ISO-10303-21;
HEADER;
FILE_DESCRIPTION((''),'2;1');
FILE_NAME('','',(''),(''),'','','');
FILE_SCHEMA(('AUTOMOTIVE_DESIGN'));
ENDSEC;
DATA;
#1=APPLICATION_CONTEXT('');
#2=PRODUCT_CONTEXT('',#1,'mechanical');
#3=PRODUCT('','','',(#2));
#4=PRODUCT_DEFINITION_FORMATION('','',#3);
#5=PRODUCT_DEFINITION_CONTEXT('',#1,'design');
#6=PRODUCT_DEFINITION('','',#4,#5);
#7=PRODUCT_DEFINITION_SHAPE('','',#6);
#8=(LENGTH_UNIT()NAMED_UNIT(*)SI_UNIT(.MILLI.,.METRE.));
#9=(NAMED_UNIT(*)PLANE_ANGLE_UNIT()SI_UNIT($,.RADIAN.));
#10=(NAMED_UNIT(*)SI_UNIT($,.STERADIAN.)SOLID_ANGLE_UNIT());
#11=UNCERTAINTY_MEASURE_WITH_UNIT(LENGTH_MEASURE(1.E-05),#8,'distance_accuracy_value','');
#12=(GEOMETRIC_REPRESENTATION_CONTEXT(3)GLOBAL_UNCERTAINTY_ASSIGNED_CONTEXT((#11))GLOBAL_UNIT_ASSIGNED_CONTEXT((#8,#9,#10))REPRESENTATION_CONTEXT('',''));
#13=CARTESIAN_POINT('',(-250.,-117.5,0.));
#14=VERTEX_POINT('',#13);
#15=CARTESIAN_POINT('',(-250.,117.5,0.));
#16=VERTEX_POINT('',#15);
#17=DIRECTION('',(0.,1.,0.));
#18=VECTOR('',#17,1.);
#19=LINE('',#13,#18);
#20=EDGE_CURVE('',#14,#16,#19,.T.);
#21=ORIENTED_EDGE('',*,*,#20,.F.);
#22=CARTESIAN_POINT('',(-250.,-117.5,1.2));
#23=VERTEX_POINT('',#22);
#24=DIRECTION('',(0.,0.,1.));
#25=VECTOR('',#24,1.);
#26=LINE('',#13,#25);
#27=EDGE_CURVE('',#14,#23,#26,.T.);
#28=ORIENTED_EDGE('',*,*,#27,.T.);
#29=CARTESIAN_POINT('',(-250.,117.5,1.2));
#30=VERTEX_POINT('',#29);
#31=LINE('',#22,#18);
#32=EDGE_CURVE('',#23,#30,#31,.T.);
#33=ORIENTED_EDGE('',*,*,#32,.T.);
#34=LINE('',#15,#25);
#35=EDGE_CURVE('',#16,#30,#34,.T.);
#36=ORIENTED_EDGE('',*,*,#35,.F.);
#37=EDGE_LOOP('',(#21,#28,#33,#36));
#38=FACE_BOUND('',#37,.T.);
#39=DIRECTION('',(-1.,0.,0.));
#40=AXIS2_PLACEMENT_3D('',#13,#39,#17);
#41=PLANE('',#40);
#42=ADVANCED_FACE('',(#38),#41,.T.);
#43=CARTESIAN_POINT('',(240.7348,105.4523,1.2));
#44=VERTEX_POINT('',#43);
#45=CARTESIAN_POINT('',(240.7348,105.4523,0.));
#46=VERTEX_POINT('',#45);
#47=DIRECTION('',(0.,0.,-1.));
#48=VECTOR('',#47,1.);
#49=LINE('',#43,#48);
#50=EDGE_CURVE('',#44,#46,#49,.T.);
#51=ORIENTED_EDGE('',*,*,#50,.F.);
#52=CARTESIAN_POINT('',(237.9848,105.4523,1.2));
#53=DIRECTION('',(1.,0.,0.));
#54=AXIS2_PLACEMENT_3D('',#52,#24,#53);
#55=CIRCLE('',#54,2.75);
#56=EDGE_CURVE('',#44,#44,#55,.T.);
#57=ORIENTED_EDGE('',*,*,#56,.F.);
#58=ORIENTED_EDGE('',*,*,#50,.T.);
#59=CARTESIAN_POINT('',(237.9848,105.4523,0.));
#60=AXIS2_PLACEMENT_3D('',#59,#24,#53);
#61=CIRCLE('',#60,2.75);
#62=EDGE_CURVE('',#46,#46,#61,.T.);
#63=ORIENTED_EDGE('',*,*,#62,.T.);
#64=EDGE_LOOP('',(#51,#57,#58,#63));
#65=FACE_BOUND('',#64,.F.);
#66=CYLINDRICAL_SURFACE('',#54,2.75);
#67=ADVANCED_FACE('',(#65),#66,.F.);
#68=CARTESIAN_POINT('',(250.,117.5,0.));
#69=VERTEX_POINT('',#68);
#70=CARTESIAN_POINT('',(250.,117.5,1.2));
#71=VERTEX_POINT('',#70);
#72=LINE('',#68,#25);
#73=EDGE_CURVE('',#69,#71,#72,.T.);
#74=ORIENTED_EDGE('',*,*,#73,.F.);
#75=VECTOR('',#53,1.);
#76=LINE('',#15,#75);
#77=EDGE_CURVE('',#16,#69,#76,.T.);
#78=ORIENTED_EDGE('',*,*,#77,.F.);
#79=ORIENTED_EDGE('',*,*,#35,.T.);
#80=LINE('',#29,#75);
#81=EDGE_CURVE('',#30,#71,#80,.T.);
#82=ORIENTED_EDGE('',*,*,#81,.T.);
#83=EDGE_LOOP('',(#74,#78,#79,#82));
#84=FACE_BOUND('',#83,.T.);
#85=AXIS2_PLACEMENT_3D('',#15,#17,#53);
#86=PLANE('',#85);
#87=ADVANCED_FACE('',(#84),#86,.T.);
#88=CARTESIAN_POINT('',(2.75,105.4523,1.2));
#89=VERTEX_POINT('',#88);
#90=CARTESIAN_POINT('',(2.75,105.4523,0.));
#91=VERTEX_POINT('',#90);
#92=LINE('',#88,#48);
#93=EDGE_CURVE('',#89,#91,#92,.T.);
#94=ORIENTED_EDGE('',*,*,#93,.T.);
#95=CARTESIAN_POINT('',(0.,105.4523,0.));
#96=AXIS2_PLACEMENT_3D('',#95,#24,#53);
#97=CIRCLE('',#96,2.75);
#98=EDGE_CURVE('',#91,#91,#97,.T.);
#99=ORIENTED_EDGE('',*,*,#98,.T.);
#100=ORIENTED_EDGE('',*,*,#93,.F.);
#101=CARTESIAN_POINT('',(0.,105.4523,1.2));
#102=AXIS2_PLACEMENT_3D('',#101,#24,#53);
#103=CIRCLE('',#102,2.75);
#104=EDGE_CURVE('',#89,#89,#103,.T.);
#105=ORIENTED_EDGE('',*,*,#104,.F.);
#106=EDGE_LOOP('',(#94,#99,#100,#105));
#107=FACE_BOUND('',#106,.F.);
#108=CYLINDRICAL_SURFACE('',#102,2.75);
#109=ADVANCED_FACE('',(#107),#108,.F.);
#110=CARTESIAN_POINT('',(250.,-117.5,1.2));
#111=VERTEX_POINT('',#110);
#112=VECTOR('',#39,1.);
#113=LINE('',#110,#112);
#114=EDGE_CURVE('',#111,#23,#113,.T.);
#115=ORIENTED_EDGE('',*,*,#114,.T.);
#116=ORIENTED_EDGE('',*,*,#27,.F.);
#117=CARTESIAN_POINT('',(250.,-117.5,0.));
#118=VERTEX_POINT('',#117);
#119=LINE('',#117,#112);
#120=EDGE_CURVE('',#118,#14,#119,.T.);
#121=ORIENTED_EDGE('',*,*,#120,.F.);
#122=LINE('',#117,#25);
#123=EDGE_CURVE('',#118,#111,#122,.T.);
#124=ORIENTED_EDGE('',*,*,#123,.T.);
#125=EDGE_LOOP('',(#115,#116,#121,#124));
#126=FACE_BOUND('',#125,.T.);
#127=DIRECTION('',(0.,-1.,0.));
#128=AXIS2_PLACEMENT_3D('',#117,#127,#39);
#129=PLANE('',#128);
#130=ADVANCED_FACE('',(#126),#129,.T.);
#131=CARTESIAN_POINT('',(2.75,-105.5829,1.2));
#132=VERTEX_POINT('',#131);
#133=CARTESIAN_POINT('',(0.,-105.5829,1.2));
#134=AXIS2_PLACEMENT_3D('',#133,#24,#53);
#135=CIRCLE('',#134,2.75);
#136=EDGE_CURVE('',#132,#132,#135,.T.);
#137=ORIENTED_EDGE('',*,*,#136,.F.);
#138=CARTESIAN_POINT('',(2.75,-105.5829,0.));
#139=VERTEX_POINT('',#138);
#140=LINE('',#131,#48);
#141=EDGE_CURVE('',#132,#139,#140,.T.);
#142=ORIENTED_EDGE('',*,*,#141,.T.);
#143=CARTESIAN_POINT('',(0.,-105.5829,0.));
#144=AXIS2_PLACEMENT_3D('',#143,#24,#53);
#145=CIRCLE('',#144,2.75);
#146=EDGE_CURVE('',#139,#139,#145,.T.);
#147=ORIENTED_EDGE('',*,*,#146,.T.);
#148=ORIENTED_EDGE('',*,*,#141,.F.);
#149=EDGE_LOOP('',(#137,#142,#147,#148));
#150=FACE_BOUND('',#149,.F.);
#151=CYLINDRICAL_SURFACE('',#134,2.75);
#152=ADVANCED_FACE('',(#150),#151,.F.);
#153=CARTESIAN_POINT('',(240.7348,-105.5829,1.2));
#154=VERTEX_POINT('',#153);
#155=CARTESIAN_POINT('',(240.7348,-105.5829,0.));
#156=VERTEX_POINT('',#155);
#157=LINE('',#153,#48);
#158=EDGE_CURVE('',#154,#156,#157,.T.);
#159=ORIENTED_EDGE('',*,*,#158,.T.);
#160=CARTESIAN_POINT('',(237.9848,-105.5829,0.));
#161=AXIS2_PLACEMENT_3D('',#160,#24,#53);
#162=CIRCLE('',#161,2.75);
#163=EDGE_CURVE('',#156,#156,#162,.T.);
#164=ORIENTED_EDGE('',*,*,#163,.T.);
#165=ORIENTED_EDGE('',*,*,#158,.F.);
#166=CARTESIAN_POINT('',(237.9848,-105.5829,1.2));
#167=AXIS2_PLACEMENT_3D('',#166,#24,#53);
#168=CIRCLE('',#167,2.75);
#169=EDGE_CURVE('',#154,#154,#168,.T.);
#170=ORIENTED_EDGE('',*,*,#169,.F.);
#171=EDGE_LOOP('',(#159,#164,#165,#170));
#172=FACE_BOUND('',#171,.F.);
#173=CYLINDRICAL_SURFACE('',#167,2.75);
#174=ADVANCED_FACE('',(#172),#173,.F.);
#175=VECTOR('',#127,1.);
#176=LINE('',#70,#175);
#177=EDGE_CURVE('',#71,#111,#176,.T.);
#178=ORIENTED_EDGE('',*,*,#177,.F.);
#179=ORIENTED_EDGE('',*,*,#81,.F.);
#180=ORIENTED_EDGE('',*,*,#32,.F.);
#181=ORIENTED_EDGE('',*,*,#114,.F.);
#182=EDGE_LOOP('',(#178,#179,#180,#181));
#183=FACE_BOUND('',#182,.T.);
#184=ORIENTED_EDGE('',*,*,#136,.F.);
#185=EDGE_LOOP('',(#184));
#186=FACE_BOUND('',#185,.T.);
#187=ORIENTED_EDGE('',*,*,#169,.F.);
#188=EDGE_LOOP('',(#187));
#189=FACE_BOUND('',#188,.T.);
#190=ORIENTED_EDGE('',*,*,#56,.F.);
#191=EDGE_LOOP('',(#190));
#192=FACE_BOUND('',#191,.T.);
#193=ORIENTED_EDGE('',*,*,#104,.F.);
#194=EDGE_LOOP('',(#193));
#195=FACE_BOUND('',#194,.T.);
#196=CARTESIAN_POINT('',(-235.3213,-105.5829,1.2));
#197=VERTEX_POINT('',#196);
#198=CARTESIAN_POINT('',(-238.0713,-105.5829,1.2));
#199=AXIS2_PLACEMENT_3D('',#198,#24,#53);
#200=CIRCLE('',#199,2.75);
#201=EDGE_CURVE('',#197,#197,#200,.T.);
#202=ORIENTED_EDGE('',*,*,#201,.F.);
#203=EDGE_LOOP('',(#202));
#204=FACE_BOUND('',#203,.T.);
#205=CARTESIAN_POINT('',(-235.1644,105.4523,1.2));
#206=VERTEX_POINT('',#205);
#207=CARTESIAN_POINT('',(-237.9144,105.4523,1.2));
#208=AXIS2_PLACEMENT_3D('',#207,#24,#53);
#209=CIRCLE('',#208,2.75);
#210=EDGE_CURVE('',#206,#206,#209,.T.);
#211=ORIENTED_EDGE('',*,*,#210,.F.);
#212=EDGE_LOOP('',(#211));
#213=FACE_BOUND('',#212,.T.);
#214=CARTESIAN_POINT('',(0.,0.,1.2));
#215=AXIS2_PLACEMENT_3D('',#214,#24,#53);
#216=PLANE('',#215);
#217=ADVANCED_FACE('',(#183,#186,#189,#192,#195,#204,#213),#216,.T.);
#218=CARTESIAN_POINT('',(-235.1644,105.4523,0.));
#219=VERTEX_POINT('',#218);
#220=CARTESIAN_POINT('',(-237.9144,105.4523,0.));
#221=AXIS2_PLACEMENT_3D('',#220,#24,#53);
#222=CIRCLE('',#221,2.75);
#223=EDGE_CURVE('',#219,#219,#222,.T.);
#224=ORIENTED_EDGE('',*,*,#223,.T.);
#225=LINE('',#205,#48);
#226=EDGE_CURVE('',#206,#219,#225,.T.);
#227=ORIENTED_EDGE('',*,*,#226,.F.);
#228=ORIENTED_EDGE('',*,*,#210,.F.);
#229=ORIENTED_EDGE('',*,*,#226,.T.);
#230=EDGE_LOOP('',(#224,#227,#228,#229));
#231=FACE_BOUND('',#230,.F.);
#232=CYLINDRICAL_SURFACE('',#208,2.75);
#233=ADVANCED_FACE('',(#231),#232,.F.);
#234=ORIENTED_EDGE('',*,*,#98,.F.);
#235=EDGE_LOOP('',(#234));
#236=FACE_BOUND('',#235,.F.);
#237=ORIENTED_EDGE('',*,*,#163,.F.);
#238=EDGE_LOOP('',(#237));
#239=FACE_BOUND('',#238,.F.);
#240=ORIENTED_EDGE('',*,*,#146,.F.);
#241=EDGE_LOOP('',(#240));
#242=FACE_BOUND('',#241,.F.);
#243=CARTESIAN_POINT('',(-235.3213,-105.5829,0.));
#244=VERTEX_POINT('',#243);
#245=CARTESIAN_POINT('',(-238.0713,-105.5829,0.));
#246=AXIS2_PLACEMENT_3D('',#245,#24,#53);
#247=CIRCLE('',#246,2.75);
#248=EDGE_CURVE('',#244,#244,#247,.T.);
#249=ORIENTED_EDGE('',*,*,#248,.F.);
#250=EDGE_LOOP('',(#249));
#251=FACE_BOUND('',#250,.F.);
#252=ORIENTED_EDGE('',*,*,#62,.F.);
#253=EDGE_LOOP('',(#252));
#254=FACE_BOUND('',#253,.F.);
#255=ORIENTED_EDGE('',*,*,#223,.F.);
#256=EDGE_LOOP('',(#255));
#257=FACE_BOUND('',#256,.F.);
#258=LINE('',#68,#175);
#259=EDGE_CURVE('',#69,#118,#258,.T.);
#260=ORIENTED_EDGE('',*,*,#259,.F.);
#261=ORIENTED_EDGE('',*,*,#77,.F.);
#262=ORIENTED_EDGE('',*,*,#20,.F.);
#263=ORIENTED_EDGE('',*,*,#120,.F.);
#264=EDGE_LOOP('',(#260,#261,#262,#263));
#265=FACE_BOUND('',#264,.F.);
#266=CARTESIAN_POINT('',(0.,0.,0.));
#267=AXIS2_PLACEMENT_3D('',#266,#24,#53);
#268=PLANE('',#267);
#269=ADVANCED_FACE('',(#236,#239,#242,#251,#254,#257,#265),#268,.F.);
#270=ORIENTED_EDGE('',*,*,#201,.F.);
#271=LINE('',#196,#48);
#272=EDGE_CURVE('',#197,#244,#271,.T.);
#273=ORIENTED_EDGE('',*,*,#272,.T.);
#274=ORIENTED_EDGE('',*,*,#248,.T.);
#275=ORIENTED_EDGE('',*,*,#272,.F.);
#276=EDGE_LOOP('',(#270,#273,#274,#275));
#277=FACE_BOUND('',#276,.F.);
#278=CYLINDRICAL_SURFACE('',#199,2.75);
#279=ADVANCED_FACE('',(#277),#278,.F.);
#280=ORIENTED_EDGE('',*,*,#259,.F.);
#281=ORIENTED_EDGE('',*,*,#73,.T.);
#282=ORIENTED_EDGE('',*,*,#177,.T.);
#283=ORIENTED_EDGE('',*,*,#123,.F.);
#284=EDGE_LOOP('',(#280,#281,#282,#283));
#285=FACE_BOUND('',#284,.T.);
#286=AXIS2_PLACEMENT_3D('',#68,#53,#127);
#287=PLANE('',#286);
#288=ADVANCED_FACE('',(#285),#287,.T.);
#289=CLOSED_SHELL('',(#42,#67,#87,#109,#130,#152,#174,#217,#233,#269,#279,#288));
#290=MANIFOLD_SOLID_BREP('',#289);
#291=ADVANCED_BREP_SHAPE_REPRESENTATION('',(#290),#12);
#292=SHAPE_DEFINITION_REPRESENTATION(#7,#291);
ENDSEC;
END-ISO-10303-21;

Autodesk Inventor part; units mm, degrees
ref_plane "YZ Plane" through (0, 0, 0) normal (1, 0, 0) x (0, 1, 0)
ref_plane "XZ Plane" through (0, 0, 0) normal (0, 1, 0) x (-1, 0, 0)
ref_plane "XY Plane" through (0, 0, 0) normal (0, 0, 1) x (1, 0, 0)
sketch "스케치1" plane through (0, 0, 0) normal (0, 0, 1) x (1, 0, 0)
  line L0 (250, -117.5) -> (-250, -117.5)
  line L1 (-250, -117.5) -> (-250, 117.5)
  line L2 (-250, 117.5) -> (250, 117.5)
  line L3 (250, 117.5) -> (250, -117.5)
  line L4 (250, -117.5) -> (-250, 117.5) construction
  line L5 (-250, -117.5) -> (250, 117.5) construction
  point P0 (0, 0)
  dimension "d0" = 500
  dimension "d1" = 235
extrude "돌출1" add sketch "스케치1" along normal blind 1.2
sketch "스케치2" plane through (0, 0, 1.2) normal (0, 0, 1) x (1, 0, 0)
  line L0 (-250, -117.5) -> (250, -117.5) projected
  line L1 (250, -117.5) -> (250, 117.5) projected
  line L2 (250, 117.5) -> (-250, 117.5) projected
  line L3 (-250, 117.5) -> (-250, -117.5) projected
  point P0 (0, 0)
sketch "스케치3" plane through (0, 0, 1.2) normal (0, 0, 1) x (1, 0, 0)
  line L0 (-250, -117.5) -> (250, -117.5) projected
  line L1 (250, -117.5) -> (250, 117.5) projected
  line L2 (250, 117.5) -> (-250, 117.5) projected
  line L3 (-250, 117.5) -> (-250, -117.5) projected
  point P0 (0, 0)
sketch "스케치4" plane through (0, 0, 1.2) normal (0, 0, 1) x (1, 0, 0)
  line L0 (-250, -117.5) -> (250, -117.5) projected
  line L1 (250, -117.5) -> (250, 117.5) projected
  line L2 (250, 117.5) -> (-250, 117.5) projected
  line L3 (-250, 117.5) -> (-250, -117.5) projected
  point P0 (0, 0)
sketch "스케치5" plane through (0, 0, 1.2) normal (0, 0, 1) x (1, 0, 0)
  line L0 (-250, -117.5) -> (250, -117.5) projected
  line L1 (250, -117.5) -> (250, 117.5) projected
  line L2 (250, 117.5) -> (-250, 117.5) projected
  line L3 (-250, 117.5) -> (-250, -117.5) projected
  circle A0 centre (-238.0339, 105.4556) radius 2.75
  circle A1 centre (0, 105.4556) radius 2.75
  circle A2 centre (237.9578, 105.4556) radius 2.75
  circle A3 centre (237.9578, -105.56) radius 2.75
  circle A4 centre (0, -105.56) radius 2.75
  circle A5 centre (-238.0339, -105.56) radius 2.75
  point P0 (0, 0)
  dimension "d4" = 5.5
  dimension "d5" = 5.5
  dimension "d6" = 5.5
  dimension "d7" = 5.5
  dimension "d8" = 5.5
  dimension "d9" = 5.5
sketch "스케치6" plane through (0, 0, 1.2) normal (0, 0, 1) x (1, 0, 0)
  circle A0 centre (0, 105.4523) radius 2.75
  circle A1 centre (-237.9144, 105.4523) radius 2.75
  circle A2 centre (-238.0713, -105.5829) radius 2.75
  circle A3 centre (0, -105.5829) radius 2.75
  circle A4 centre (237.9848, -105.5829) radius 2.75
  circle A5 centre (237.9848, 105.4523) radius 2.75
  point P0 (0, 0)
  dimension "d10" = 5.5
  dimension "d11" = 5.5
  dimension "d12" = 5.5
  dimension "d13" = 5.5
  dimension "d14" = 5.5
  dimension "d15" = 5.5
extrude "돌출2" cut sketch "스케치6" against normal blind 10
properties part number "240710_part3"
